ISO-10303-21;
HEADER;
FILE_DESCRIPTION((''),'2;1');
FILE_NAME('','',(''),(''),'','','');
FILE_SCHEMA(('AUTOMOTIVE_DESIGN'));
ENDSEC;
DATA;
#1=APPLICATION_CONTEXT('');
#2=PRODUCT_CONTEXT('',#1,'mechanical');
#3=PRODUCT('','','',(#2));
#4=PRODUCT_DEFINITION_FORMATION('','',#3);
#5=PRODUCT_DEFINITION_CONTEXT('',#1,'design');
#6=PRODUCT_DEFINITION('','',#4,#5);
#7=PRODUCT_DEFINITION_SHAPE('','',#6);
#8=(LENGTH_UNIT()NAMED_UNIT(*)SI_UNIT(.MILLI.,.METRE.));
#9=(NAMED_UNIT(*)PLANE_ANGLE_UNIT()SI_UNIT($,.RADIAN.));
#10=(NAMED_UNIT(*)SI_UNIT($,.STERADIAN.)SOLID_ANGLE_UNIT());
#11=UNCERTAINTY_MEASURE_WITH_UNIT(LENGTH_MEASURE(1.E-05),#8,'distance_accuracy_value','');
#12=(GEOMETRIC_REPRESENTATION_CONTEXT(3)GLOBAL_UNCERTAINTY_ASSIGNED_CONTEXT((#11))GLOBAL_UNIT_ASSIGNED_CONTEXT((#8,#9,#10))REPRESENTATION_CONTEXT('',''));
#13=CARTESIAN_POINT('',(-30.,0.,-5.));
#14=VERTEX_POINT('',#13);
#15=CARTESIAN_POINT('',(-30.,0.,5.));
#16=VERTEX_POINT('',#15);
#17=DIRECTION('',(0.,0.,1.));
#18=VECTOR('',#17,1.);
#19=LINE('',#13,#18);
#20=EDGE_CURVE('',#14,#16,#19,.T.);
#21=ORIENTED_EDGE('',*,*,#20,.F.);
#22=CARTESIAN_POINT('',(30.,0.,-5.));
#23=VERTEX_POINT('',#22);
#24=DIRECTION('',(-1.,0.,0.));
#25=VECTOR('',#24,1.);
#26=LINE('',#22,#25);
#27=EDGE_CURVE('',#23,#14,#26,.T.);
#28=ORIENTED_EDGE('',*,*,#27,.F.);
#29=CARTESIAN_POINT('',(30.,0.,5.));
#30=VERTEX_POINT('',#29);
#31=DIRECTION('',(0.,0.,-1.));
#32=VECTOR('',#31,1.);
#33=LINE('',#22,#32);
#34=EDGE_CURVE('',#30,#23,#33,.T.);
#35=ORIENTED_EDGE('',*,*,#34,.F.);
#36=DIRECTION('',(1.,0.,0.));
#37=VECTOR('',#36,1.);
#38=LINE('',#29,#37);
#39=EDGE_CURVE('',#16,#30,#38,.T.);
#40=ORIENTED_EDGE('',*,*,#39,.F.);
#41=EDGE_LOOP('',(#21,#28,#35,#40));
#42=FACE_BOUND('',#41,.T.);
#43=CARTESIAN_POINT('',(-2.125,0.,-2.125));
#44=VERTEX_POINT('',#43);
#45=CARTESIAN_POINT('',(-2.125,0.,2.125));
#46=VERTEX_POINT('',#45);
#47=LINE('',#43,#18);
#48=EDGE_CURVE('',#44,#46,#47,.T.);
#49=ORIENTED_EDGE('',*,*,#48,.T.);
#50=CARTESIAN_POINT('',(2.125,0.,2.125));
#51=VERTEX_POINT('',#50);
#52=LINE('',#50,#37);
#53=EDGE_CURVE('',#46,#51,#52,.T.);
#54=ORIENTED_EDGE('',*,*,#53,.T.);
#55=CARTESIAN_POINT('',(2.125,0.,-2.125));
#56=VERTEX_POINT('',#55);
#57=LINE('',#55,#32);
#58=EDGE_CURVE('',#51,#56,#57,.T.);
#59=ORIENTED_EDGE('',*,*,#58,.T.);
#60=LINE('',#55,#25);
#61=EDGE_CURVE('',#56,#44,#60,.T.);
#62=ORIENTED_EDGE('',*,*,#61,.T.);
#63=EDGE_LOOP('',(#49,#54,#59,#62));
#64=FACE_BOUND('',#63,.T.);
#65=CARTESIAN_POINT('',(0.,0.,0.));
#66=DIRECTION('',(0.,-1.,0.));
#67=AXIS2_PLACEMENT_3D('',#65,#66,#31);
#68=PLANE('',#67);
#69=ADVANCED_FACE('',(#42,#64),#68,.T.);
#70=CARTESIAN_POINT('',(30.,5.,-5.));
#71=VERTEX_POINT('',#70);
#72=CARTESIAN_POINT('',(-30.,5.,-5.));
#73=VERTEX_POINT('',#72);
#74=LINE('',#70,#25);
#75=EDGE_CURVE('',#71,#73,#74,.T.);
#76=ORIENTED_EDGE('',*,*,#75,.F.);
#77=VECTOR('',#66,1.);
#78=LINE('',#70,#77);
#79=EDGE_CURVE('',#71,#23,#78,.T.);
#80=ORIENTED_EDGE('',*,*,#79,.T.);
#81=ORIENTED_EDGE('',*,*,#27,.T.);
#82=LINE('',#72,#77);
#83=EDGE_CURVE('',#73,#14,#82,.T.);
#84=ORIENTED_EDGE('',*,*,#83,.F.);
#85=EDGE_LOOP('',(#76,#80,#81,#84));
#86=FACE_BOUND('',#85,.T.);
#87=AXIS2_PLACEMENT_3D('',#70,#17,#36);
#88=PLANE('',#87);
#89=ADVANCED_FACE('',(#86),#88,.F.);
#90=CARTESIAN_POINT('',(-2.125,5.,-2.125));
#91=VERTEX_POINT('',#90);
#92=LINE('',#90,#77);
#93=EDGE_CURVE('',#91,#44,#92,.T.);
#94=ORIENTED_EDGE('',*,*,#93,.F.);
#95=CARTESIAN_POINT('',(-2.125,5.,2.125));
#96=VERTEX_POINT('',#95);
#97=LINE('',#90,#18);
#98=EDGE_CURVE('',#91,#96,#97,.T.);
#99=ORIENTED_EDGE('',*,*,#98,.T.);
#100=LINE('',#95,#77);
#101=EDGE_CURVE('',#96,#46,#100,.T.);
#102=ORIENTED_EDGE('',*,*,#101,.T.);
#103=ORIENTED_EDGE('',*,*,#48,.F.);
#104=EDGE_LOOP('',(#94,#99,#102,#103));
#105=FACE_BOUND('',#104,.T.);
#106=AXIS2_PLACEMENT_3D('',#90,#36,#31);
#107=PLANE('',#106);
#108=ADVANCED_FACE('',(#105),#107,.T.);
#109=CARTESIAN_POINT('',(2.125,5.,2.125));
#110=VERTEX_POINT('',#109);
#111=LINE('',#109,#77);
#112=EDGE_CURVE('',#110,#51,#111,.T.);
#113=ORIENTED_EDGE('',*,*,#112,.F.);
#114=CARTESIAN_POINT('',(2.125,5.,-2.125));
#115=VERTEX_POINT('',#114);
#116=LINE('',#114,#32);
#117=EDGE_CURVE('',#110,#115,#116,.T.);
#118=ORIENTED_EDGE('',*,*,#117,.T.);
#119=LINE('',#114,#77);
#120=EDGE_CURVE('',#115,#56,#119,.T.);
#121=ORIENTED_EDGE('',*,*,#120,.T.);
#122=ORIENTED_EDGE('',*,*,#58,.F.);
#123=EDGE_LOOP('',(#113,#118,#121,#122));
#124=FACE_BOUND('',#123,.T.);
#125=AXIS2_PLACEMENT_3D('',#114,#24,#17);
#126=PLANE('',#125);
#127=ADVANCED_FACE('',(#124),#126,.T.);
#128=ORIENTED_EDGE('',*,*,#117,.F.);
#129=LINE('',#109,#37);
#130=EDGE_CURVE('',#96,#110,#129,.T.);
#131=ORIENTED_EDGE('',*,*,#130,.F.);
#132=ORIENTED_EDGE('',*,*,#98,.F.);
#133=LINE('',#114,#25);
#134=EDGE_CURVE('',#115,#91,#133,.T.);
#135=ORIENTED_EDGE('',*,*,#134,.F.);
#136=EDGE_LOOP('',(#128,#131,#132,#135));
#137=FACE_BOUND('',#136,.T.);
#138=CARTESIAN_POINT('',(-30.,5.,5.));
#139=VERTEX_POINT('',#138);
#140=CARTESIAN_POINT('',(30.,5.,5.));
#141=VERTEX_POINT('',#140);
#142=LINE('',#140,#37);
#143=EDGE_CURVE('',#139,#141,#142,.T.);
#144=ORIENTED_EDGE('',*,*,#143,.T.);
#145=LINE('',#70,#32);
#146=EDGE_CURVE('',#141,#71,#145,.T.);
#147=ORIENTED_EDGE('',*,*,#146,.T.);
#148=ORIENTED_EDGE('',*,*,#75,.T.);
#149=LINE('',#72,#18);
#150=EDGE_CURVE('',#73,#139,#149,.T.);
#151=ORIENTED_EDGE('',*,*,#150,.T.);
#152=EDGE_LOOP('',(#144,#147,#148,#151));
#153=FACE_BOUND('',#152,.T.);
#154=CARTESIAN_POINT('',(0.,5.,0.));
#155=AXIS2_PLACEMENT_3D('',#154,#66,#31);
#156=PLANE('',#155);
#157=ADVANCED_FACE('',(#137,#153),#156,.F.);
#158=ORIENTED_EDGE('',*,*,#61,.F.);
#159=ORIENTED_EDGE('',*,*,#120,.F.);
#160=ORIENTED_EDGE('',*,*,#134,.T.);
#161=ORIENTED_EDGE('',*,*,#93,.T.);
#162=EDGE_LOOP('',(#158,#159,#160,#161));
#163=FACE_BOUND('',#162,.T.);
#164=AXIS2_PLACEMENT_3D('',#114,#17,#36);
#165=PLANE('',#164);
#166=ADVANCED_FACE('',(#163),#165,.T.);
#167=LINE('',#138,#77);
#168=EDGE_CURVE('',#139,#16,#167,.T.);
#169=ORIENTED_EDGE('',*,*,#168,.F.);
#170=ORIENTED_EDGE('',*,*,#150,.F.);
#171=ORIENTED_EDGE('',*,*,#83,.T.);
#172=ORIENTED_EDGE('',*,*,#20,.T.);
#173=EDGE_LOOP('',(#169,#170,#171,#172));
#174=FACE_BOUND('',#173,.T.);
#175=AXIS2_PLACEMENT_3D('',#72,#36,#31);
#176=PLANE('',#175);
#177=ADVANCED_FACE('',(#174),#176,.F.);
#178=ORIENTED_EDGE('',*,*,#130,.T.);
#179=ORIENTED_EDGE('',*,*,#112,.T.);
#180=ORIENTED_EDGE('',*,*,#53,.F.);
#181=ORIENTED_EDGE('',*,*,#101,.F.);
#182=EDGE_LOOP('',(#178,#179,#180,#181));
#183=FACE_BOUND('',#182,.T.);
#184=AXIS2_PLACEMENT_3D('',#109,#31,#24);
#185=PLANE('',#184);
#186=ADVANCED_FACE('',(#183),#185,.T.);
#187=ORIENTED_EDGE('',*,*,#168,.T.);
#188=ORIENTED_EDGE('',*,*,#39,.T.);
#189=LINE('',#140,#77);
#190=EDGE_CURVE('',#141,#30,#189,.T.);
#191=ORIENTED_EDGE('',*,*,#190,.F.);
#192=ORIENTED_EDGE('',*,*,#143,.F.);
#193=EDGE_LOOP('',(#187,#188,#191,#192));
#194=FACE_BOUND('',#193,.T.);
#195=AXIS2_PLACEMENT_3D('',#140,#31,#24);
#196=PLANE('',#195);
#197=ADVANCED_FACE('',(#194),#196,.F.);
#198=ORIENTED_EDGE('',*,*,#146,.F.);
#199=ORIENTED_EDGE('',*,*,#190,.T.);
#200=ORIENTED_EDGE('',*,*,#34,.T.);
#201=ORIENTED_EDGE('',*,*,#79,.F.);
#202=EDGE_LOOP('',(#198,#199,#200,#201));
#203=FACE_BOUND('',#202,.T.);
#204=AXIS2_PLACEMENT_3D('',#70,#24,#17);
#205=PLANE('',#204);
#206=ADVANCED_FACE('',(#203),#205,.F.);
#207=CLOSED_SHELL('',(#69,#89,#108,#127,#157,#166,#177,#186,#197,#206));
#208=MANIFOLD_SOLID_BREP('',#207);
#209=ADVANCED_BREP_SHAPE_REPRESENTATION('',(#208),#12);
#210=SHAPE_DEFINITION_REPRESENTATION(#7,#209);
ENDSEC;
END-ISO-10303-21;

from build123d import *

# Parameters (mm, degrees)
SKETCH_2_W      = 60
SKETCH_2_H      = 10
SKETCH_2_W_2    = 4.25
SKETCH_2_H_2    = 4.25
EXTRUDE_1_DEPTH = 5


with BuildPart() as part:
    # 草图2 → 凸台-拉伸1 (new body)
    with BuildSketch(Plane(origin=(0, 0, 0), x_dir=(1, 0, 0), z_dir=(0, 1, 0))):
        Rectangle(SKETCH_2_W, SKETCH_2_H)
        Rectangle(SKETCH_2_W_2, SKETCH_2_H_2, mode=Mode.SUBTRACT)
    extrude(amount=EXTRUDE_1_DEPTH)


solid = part.part
